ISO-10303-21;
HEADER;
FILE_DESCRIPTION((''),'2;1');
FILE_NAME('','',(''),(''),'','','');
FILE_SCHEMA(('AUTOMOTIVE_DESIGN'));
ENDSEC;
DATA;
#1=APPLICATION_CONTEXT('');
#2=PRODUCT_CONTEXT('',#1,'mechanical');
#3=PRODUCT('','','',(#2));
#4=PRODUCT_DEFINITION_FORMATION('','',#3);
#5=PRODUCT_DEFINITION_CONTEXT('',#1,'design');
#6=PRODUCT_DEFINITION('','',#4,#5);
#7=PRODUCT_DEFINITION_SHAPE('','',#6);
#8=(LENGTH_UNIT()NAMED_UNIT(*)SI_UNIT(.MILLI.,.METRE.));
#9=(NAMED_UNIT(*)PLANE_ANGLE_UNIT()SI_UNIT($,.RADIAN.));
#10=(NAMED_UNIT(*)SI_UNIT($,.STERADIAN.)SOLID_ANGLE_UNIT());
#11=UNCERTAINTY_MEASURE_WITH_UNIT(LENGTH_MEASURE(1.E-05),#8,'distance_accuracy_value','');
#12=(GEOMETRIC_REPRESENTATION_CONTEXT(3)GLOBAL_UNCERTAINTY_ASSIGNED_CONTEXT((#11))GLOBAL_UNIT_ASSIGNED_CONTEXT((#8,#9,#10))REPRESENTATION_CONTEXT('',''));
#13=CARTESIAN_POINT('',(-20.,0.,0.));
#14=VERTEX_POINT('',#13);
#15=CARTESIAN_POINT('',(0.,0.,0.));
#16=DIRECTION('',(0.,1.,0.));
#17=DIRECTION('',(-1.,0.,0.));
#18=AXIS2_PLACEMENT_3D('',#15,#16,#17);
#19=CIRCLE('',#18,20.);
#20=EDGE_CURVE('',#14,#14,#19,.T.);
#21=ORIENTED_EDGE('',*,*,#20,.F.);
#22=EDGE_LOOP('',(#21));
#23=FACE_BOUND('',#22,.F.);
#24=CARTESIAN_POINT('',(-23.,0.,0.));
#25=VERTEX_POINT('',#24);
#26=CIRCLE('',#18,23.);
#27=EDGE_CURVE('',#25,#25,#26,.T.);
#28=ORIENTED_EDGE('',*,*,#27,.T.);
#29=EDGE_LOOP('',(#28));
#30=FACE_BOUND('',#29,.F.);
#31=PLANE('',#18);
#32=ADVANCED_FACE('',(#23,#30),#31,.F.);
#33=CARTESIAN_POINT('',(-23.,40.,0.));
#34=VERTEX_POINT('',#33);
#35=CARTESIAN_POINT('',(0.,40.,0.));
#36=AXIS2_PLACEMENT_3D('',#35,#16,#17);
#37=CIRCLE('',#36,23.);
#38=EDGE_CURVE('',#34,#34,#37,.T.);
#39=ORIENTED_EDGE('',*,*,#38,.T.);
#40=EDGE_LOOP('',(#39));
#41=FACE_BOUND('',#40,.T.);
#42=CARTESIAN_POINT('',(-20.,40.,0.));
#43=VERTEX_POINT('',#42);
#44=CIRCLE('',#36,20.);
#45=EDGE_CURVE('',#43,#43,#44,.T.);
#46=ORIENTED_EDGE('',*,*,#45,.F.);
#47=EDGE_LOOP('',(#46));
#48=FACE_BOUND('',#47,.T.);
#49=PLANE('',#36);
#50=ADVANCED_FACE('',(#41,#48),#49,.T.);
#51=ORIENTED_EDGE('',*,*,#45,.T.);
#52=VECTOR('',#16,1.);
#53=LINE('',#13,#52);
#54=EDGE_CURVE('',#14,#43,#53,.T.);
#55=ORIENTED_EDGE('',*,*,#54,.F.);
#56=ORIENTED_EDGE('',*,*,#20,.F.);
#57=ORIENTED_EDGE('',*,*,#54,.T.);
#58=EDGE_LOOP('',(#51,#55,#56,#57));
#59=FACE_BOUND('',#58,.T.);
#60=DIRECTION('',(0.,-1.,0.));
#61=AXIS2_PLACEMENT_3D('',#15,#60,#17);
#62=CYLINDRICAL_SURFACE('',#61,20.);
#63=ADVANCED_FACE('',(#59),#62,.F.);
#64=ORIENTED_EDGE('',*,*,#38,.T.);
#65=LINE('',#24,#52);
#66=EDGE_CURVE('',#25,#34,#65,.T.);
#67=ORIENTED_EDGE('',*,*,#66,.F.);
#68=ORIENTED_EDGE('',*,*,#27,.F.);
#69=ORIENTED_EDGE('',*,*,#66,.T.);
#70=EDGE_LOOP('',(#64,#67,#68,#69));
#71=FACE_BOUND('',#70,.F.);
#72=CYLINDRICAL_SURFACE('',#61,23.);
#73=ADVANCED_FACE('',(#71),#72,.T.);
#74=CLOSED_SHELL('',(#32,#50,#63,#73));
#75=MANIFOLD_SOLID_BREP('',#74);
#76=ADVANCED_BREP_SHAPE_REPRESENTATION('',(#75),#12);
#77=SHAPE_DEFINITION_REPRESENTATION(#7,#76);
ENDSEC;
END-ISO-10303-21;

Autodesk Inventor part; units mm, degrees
ref_plane "YZ Plane" through (0, 0, 0) normal (1, 0, 0) x (0, 1, 0)
ref_plane "XZ Plane" through (0, 0, 0) normal (0, 1, 0) x (-1, 0, 0)
ref_plane "XY Plane" through (0, 0, 0) normal (0, 0, 1) x (1, 0, 0)
sketch "Sketch1" plane through (0, 0, 0) normal (0, 1, 0) x (-1, 0, 0)
  circle A0 centre (0, 0) radius 20
  circle A1 centre (0, 0) radius 23
  dimension "d0" = 40
  dimension "d1" = 46
extrude "Extrusion1" add sketch "Sketch1" along normal blind 40
properties part number "tube"
